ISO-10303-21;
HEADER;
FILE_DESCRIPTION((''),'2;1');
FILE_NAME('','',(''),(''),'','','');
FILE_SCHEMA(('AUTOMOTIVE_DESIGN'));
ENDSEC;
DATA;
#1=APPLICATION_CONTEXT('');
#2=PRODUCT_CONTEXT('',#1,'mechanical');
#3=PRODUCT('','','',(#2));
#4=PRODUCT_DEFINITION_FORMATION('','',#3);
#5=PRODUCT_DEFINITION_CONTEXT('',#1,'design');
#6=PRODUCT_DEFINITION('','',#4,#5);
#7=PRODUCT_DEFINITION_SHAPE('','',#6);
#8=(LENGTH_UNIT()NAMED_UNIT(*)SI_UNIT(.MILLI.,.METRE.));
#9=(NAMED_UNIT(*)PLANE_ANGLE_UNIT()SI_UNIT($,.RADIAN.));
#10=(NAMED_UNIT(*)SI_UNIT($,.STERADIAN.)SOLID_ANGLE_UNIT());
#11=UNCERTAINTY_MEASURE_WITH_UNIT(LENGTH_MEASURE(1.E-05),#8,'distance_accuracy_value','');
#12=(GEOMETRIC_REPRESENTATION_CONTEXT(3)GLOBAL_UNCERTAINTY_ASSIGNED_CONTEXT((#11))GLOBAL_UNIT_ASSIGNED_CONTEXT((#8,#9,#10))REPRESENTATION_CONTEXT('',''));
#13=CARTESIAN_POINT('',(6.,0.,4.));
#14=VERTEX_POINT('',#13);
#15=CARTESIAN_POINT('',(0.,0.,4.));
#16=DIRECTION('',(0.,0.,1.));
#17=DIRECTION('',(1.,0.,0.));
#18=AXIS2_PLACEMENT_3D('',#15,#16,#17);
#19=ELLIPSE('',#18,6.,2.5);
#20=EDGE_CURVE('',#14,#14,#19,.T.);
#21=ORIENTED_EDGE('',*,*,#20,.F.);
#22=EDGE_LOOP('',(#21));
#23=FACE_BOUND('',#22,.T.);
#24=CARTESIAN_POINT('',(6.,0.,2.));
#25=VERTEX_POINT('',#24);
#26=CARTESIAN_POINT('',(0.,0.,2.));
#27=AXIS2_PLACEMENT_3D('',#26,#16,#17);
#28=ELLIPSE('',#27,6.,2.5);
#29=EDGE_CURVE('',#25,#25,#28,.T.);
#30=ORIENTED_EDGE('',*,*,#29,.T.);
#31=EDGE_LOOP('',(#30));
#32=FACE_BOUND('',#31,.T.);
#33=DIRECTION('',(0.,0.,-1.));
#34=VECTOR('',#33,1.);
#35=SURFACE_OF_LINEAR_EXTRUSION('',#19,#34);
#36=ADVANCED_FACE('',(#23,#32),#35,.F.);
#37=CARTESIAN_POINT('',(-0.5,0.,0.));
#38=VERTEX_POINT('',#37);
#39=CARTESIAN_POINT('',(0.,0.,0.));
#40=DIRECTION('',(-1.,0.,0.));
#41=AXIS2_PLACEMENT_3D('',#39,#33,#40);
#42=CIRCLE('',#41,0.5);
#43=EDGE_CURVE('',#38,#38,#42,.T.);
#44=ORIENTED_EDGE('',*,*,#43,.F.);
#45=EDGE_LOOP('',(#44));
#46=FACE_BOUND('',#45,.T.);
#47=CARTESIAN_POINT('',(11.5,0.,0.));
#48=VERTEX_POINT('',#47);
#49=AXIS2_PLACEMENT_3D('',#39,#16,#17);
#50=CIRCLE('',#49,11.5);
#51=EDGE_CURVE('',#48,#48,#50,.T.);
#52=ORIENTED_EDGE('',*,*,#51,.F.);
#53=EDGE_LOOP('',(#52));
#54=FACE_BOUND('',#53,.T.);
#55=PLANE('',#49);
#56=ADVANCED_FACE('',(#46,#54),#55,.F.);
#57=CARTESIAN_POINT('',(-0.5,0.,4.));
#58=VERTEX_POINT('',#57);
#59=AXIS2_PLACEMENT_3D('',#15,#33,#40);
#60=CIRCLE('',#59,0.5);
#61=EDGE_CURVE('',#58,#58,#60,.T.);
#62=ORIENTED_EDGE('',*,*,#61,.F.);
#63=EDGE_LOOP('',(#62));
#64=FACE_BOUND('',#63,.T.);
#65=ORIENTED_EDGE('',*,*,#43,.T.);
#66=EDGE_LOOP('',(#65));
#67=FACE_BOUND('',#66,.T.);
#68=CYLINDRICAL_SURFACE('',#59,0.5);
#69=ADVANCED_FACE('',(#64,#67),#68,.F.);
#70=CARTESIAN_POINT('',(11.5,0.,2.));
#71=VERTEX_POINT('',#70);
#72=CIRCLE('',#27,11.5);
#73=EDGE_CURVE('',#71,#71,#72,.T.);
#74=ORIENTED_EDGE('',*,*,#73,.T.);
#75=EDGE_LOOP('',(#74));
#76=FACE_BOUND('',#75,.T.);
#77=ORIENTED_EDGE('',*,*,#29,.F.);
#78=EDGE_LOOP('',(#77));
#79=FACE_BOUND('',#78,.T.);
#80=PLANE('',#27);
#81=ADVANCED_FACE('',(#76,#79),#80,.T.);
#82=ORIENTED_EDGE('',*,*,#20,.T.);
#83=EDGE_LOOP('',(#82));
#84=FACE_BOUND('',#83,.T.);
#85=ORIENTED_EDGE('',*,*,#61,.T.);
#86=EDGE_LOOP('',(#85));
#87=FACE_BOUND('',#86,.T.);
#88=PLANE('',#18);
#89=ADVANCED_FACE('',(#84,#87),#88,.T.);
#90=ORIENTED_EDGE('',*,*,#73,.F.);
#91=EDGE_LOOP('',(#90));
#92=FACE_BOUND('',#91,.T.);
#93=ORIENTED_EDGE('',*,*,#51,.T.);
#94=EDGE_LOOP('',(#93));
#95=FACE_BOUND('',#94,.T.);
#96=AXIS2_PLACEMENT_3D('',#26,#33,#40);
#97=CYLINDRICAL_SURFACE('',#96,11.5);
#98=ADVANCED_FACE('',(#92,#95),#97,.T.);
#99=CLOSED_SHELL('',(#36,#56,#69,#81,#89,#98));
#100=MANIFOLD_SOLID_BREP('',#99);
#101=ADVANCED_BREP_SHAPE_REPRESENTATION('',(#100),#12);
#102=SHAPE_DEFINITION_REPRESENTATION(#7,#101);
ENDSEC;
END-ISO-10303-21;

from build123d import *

# Parameters (mm, degrees)
ESQUISSE1_R             = 11.5
BOSS_EXTRU_1_DEPTH      = 2
ESQUISSE6_RX            = 6
ESQUISSE6_RY            = 2.5
BOSS_EXTRU_5_DEPTH      = 2
ESQUISSE7_R             = 0.5
ENL_V_MAT_EXTRU_1_DEPTH = 17.748134224


with BuildPart() as part:
    # Esquisse1 → Boss.-Extru.1 (new body)
    with BuildSketch(Plane.XY):
        Circle(ESQUISSE1_R)
    extrude(amount=BOSS_EXTRU_1_DEPTH)

    # Esquisse6 → Boss.-Extru.5 (add)
    with BuildSketch(Plane.XY.offset(2)):
        with Locations((0, 0)):
            Ellipse(ESQUISSE6_RX, ESQUISSE6_RY)
    extrude(amount=BOSS_EXTRU_5_DEPTH)

    # Esquisse7 → Enlèv. mat.-Extru.1 (cut, through all)
    with BuildSketch(Plane(origin=(0, 0, 0), x_dir=(-1, 0, 0), z_dir=(0, 0, -1))):
        Circle(ESQUISSE7_R)
    extrude(amount=-ENL_V_MAT_EXTRU_1_DEPTH, mode=Mode.SUBTRACT)


solid = part.part
